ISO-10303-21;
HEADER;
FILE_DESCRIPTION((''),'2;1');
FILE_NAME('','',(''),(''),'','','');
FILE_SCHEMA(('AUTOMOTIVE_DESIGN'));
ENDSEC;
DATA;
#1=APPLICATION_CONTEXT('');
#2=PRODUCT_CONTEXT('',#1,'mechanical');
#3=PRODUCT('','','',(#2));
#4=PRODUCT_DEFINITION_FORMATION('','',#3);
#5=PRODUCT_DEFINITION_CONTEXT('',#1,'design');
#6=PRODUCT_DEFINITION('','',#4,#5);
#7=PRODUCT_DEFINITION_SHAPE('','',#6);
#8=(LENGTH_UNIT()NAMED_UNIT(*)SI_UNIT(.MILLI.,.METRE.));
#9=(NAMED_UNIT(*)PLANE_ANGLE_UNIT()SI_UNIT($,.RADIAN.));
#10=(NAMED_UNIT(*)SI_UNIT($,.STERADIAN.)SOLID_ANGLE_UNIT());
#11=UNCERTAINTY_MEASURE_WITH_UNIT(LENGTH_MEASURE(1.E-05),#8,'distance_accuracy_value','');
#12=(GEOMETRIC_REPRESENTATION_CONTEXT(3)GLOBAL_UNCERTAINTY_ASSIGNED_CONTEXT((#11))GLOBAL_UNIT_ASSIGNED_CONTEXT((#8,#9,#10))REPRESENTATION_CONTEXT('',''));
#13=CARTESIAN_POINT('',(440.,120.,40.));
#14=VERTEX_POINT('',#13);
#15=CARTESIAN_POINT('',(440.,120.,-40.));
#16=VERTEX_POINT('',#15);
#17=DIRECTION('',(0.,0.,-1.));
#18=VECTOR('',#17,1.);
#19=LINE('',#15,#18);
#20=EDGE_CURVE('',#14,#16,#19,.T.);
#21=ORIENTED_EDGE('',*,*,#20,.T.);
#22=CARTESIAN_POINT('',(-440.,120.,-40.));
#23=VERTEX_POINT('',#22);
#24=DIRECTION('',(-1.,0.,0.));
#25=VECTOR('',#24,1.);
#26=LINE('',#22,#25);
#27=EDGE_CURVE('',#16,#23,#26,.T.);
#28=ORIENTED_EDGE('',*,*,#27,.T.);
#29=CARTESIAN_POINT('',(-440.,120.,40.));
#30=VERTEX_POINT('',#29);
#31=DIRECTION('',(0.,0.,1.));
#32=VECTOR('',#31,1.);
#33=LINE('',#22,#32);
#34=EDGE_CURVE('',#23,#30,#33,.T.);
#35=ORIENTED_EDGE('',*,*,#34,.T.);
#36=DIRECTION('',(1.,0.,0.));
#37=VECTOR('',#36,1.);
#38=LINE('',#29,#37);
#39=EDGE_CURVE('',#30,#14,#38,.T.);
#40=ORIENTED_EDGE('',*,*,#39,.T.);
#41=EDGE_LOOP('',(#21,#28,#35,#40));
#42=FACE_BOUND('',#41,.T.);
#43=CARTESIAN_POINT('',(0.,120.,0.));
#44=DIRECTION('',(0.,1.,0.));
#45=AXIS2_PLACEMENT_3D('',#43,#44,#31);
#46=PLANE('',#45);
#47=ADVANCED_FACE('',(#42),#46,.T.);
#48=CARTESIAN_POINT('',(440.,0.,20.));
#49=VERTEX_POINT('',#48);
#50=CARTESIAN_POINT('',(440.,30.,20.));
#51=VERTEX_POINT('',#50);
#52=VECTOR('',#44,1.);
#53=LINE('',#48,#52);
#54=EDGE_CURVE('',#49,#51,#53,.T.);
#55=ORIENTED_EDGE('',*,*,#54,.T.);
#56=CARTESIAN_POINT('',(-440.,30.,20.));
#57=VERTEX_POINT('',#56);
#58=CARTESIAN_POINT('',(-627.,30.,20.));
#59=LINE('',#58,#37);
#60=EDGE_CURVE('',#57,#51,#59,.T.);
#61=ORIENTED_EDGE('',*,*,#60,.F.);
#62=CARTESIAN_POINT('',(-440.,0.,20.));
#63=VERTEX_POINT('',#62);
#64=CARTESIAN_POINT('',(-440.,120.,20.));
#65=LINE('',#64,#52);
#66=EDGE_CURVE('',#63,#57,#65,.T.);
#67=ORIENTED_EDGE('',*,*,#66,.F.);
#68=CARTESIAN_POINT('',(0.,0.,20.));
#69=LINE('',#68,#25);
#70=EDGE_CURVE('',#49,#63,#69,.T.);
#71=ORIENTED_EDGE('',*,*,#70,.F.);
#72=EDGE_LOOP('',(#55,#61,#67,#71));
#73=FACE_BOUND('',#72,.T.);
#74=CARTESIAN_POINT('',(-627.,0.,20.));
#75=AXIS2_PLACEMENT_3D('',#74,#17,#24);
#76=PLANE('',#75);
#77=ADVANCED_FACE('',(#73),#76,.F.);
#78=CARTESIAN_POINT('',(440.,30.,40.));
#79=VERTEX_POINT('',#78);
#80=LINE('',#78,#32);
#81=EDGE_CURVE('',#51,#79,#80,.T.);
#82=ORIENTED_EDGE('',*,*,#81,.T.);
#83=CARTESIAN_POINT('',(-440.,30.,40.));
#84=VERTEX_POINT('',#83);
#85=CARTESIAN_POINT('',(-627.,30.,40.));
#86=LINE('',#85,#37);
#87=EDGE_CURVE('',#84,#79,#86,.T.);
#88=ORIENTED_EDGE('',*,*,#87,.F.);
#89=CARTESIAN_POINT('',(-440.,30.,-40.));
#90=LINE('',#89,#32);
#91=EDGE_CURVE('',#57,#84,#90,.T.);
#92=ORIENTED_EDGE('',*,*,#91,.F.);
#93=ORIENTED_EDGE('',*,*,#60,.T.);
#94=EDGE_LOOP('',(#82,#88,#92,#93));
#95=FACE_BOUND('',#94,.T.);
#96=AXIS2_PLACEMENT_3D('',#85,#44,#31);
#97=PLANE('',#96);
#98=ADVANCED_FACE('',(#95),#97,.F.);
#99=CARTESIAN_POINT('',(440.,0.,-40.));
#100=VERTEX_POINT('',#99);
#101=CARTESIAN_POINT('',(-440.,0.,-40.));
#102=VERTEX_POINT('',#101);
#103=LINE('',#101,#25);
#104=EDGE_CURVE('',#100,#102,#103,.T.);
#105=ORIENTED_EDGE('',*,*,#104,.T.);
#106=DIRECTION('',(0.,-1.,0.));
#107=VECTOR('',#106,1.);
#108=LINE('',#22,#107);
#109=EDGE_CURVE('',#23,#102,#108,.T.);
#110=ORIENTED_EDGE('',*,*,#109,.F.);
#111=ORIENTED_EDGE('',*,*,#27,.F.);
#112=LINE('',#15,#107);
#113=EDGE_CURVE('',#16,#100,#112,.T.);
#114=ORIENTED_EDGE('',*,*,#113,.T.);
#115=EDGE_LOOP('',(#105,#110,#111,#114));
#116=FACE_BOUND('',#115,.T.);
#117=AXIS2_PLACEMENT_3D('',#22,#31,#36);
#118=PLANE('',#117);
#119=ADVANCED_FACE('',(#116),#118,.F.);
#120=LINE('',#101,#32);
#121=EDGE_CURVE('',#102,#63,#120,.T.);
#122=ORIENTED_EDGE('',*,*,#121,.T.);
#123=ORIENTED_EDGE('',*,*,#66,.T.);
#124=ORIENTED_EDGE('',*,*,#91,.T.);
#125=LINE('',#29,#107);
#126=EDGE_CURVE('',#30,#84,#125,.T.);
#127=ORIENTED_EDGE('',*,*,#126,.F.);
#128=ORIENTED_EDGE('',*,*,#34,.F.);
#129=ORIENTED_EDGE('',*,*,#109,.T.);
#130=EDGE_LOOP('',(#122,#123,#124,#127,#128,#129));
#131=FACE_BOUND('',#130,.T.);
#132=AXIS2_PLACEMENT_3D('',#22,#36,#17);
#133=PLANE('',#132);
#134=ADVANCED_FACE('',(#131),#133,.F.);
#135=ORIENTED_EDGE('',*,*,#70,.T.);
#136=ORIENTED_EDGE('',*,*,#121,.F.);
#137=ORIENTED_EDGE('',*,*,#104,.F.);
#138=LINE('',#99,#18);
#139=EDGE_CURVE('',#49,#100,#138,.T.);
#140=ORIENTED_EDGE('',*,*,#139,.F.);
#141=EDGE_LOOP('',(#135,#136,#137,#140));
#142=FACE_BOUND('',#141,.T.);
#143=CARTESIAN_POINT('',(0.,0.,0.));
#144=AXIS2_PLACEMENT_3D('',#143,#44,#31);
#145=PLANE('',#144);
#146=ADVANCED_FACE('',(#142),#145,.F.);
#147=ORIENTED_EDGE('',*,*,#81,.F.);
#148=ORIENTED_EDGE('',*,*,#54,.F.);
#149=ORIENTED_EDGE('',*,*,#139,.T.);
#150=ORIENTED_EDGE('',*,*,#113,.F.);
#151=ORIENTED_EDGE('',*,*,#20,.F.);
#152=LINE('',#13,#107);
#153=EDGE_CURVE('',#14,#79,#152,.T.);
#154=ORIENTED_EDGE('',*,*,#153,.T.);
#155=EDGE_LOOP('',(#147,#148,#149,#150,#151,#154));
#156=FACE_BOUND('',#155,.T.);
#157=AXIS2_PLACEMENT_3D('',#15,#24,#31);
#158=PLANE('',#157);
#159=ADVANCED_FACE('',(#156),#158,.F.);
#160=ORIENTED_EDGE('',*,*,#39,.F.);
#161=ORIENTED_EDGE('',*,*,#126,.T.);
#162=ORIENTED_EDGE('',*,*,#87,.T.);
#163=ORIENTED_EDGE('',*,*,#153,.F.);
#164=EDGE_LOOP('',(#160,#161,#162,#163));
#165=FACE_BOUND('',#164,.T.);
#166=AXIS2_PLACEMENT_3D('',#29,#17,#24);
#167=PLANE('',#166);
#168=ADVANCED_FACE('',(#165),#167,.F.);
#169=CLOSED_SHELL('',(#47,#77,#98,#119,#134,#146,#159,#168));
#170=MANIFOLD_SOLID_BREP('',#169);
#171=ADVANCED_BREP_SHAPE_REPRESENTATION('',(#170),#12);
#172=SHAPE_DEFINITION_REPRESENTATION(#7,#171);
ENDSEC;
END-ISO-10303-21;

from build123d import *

# Parameters (mm, degrees)
SKETCH1_W           = 880
SKETCH1_H           = 80
BOSS_EXTRUDE1_DEPTH = 120
SKETCH2_W           = 20
SKETCH2_H           = 30
CUT_EXTRUDE1_DEPTH  = 1067


with BuildPart() as part:
    # Sketch1 → Boss-Extrude1 (new body)
    with BuildSketch(Plane(origin=(0, 0, 0), x_dir=(1, 0, 0), z_dir=(0, 1, 0))):
        Rectangle(SKETCH1_W, SKETCH1_H)
    extrude(amount=BOSS_EXTRUDE1_DEPTH)

    # Sketch2 → Cut-Extrude1 (cut)
    with BuildSketch(Plane(origin=(440, 0, 0), x_dir=(0, 0, -1), z_dir=(1, 0, 0))):
        with Locations((-30, 15)):
            Rectangle(SKETCH2_W, SKETCH2_H)
    extrude(amount=-CUT_EXTRUDE1_DEPTH, mode=Mode.SUBTRACT)


solid = part.part
